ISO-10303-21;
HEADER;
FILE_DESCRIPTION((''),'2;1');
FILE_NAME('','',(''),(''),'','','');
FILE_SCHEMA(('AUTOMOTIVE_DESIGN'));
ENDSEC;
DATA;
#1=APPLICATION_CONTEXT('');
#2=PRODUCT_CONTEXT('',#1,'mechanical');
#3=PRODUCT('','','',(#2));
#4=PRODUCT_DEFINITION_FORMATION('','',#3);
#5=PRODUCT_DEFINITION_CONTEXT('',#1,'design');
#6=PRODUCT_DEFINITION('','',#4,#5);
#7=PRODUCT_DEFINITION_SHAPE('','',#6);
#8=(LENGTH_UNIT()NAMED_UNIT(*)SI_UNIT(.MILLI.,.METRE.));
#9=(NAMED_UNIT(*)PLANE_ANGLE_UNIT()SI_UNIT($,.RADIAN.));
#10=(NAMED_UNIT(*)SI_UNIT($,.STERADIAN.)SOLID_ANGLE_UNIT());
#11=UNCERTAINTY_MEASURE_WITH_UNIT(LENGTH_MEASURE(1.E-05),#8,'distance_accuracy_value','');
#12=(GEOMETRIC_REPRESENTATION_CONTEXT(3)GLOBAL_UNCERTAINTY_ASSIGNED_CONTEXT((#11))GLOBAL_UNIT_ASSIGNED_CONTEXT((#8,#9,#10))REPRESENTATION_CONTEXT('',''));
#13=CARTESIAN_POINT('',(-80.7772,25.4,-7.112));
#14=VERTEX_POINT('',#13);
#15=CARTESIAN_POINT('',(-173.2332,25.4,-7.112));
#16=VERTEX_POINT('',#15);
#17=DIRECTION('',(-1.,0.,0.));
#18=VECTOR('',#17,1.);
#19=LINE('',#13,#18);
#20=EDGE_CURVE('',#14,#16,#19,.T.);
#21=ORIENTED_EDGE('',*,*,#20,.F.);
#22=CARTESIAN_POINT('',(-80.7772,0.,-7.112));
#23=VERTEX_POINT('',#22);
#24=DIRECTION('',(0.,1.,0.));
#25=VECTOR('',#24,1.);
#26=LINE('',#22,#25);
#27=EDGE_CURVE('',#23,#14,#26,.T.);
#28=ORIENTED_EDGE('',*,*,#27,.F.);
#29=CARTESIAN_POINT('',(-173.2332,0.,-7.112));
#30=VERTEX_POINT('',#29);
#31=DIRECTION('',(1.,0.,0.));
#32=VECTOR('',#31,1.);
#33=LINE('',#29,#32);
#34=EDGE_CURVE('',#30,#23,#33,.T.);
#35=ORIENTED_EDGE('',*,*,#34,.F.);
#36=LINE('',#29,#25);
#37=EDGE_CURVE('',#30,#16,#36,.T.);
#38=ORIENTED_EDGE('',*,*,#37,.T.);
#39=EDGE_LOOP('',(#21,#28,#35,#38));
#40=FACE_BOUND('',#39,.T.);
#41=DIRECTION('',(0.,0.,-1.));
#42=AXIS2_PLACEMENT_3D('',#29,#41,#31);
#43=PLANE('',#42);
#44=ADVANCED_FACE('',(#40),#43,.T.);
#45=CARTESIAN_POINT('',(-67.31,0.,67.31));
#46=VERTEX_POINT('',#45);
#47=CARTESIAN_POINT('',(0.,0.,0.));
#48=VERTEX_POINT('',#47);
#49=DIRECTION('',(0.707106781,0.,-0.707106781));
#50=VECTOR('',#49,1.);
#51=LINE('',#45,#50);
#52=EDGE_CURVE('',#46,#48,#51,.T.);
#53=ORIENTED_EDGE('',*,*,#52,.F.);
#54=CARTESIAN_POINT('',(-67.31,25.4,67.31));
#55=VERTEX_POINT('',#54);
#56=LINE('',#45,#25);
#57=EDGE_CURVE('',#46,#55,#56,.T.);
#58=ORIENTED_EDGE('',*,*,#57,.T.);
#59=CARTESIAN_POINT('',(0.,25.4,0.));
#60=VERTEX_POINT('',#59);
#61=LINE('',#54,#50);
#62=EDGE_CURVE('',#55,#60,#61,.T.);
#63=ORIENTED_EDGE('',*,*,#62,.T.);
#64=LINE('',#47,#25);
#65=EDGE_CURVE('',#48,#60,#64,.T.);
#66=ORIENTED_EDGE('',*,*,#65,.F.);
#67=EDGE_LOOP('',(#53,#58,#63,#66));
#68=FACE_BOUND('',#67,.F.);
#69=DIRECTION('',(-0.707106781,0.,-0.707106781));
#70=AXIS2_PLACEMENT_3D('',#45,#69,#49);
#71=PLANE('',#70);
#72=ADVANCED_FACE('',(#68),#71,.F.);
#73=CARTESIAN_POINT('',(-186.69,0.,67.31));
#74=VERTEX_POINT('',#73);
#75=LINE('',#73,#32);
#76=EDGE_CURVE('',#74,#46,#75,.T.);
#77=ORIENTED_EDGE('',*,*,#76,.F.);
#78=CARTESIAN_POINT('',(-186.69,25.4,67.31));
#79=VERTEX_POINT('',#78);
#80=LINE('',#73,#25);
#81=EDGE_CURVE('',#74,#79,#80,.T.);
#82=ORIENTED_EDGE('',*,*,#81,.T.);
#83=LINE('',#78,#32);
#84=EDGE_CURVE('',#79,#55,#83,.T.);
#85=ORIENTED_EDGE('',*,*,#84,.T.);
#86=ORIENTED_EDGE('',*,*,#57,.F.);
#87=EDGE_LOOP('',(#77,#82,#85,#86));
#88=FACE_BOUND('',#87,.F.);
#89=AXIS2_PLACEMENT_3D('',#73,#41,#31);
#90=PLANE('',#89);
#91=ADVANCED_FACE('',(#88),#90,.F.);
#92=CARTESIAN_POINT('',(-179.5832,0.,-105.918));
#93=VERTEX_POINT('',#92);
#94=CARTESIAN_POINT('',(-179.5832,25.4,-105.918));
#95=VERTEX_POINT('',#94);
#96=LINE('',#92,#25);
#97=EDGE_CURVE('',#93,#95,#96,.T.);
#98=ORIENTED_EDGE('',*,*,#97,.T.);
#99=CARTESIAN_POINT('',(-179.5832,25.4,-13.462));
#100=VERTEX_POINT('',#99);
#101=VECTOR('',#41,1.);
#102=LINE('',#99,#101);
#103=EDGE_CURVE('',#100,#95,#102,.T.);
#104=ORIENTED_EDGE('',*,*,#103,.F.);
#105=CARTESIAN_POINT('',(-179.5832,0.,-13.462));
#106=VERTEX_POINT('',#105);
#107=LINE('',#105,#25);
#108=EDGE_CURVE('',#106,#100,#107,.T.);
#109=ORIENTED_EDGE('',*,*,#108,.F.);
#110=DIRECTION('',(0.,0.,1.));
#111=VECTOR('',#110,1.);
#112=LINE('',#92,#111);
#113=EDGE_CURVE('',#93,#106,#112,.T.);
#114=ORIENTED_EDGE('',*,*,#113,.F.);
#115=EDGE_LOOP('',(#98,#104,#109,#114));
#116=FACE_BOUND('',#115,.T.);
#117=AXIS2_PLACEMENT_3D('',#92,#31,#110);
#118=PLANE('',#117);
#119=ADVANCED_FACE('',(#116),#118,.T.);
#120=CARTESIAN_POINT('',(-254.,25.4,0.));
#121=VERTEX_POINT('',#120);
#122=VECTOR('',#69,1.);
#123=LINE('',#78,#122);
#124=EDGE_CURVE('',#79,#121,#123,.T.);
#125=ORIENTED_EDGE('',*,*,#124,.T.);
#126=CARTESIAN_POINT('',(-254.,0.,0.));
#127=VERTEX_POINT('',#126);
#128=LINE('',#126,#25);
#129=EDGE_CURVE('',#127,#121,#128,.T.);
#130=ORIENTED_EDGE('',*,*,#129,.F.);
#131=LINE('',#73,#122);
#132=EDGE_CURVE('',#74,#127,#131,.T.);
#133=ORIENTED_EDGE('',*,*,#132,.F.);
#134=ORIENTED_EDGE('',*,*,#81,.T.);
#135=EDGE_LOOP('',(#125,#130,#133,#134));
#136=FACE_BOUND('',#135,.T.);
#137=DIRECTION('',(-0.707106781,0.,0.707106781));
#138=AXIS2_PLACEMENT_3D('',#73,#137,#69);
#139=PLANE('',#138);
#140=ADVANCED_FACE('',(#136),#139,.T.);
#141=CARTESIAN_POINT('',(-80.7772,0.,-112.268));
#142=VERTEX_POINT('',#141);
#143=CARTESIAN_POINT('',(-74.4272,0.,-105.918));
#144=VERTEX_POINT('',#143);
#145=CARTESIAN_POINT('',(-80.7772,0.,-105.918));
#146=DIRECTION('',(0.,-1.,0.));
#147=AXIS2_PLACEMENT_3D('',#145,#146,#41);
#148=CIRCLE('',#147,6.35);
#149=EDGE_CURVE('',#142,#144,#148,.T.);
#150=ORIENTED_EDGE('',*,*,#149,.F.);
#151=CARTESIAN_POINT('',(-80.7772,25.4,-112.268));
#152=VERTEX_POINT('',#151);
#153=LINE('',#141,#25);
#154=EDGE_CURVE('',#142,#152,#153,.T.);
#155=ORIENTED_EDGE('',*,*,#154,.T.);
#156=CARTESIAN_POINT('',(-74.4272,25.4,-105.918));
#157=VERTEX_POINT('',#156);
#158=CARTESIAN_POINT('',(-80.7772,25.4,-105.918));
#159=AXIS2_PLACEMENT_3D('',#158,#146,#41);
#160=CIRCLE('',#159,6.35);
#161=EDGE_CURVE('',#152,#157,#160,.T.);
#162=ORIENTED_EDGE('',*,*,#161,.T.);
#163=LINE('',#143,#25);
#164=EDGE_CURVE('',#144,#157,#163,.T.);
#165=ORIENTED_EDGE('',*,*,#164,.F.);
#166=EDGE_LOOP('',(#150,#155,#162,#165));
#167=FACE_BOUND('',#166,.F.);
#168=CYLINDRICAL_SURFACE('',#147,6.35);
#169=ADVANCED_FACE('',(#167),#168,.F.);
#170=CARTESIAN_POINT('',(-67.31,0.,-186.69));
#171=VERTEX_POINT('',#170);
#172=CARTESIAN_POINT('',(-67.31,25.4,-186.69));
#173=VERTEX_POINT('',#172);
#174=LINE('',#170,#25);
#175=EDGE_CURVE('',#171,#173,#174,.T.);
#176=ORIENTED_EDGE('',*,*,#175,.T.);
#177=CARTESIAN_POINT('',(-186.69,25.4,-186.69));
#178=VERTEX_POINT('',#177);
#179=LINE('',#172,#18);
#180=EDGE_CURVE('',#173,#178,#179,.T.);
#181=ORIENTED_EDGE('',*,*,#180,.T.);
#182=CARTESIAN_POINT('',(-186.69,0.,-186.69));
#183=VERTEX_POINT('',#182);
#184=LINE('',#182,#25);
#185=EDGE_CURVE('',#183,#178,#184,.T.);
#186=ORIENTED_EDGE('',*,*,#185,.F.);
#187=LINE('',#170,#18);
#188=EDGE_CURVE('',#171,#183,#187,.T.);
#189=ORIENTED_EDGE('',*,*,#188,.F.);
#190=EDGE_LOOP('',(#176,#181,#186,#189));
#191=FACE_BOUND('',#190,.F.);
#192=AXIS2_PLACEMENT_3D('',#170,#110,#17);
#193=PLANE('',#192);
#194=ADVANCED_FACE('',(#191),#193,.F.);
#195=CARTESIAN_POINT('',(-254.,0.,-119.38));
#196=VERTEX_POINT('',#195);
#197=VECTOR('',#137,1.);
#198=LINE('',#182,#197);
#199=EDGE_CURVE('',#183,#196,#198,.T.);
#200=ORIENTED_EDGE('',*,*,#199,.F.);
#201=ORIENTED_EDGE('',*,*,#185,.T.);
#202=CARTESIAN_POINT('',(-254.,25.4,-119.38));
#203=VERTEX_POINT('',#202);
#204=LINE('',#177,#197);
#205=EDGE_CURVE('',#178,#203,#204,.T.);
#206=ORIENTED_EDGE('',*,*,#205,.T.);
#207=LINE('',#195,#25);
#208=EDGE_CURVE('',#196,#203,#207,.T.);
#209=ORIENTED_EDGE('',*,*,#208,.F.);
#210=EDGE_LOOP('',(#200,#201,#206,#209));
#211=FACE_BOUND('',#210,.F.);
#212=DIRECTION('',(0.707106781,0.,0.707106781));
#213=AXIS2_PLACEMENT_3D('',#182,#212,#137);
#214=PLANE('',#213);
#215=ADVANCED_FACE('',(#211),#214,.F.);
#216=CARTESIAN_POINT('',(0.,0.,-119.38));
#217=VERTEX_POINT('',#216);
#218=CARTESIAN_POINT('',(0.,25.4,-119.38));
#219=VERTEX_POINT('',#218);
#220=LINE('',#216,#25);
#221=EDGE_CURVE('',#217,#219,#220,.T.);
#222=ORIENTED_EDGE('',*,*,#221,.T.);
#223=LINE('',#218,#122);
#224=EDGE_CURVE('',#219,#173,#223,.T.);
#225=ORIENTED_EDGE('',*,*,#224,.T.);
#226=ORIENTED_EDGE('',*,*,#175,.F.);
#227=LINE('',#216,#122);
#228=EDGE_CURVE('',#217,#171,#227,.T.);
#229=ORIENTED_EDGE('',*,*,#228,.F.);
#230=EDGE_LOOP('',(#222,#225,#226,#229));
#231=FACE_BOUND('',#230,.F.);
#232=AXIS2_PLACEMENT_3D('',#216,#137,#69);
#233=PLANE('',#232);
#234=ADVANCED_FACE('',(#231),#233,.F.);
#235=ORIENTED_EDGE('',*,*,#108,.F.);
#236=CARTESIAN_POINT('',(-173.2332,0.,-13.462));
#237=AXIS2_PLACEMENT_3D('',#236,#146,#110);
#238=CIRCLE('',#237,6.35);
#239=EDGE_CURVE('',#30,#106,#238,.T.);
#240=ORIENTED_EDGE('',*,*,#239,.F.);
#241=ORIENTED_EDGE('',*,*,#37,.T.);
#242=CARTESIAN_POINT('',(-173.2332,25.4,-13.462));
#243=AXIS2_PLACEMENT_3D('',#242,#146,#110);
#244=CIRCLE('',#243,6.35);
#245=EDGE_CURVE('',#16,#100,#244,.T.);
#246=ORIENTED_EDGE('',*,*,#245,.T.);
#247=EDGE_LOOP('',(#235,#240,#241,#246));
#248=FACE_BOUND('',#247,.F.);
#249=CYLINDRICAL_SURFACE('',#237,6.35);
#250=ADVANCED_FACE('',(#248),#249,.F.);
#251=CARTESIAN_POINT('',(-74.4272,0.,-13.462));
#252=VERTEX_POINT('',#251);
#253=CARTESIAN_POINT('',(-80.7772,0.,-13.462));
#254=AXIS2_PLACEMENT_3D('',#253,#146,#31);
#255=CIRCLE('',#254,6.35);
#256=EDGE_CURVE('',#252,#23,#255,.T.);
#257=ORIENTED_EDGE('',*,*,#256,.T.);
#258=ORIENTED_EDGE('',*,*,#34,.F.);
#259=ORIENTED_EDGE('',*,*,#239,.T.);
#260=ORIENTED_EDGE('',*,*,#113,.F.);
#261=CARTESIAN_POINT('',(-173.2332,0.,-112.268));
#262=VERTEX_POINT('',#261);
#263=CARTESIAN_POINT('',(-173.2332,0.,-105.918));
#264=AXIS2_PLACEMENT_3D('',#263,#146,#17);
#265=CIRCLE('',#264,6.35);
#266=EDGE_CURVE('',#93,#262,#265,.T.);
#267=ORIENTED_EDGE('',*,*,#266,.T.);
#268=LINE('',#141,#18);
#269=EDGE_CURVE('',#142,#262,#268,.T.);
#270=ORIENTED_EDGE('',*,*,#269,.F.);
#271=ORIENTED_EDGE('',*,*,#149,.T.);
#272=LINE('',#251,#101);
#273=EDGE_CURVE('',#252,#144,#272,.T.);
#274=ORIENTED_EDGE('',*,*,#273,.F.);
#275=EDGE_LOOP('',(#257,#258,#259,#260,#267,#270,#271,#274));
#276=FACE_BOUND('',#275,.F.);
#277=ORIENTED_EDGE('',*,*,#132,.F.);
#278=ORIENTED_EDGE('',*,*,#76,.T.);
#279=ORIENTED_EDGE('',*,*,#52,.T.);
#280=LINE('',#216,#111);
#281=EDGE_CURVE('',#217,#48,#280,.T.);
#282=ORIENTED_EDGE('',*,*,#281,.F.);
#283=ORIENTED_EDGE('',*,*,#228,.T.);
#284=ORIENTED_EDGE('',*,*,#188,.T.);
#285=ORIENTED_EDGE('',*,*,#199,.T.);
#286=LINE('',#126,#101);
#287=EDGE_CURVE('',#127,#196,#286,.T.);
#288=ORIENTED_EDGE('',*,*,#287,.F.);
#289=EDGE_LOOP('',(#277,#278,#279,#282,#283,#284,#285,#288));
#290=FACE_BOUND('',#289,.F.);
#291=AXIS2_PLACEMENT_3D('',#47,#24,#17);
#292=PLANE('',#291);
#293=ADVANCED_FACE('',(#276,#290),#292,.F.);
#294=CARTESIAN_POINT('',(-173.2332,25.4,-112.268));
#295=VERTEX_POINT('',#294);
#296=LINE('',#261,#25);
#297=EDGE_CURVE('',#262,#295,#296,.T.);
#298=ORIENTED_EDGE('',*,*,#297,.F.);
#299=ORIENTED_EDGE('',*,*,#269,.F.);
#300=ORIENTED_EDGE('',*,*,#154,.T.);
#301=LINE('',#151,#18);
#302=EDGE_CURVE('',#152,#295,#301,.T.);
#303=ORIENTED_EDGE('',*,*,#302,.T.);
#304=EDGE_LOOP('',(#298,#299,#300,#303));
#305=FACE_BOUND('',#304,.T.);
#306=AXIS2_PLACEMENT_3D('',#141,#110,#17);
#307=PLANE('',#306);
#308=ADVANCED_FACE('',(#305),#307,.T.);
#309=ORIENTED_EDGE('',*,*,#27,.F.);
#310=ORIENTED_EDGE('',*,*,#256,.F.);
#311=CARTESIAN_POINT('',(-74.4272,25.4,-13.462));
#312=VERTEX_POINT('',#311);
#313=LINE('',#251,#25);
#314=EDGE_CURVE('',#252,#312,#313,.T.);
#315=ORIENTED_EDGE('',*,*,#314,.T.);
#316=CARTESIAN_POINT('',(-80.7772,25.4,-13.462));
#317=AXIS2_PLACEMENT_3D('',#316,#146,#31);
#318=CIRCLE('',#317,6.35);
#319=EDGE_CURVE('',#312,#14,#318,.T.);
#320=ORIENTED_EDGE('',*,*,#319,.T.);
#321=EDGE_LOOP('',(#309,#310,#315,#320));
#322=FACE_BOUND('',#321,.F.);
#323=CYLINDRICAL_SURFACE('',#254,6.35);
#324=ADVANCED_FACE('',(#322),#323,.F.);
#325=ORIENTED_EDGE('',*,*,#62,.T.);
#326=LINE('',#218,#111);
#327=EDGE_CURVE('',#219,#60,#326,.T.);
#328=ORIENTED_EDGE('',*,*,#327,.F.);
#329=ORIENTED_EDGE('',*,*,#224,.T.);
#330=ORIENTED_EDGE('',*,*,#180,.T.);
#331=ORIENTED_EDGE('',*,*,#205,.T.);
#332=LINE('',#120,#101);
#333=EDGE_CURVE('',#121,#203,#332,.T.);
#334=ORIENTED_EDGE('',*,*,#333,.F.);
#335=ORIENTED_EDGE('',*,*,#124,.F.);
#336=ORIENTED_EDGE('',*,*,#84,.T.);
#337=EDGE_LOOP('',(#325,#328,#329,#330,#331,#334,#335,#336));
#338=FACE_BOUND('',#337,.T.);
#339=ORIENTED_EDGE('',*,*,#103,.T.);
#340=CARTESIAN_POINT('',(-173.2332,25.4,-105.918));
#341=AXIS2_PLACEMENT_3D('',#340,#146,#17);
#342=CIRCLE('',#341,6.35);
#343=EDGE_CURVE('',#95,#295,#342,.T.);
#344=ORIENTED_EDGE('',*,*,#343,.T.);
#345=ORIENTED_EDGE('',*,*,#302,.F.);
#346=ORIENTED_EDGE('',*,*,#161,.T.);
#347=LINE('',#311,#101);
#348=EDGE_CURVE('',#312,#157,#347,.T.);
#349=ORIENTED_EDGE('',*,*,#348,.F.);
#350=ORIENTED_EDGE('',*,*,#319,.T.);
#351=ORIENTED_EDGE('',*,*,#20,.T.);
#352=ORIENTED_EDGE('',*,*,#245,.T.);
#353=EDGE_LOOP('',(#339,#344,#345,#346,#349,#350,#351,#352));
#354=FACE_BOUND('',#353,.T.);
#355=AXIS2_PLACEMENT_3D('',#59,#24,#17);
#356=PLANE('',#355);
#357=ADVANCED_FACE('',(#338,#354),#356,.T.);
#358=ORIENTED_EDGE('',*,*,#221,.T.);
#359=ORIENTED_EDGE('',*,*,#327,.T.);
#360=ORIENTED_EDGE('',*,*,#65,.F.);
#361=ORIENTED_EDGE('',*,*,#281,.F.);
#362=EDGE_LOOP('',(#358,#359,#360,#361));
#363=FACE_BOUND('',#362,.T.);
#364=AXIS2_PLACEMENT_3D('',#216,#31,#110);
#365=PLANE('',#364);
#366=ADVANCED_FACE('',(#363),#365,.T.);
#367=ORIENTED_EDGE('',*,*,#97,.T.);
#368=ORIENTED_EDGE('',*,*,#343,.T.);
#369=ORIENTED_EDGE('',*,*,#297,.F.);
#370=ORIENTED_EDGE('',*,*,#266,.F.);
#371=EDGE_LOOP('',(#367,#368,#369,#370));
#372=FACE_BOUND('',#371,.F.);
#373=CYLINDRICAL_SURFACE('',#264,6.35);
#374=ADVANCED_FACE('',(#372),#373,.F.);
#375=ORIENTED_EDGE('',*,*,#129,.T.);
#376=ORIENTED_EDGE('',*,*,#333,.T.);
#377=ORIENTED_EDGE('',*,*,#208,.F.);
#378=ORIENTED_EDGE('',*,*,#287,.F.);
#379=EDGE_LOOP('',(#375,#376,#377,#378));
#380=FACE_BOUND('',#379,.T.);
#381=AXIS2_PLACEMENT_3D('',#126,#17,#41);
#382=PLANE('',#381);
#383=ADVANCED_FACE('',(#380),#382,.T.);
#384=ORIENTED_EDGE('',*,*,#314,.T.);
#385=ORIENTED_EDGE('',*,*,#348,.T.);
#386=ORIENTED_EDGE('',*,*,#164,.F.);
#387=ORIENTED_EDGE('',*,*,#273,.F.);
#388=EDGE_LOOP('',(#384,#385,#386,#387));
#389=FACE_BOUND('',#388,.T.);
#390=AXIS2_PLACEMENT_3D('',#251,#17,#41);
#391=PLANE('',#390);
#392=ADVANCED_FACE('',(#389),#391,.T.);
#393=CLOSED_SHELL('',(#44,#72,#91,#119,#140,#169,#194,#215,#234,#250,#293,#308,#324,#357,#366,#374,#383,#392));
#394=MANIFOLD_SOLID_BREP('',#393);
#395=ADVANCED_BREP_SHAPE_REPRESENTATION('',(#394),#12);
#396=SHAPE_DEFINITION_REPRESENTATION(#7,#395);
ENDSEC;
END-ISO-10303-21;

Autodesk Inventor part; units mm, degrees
ref_plane "YZ Plane" through (0, 0, 0) normal (1, 0, 0) x (0, 1, 0)
ref_plane "XZ Plane" through (0, 0, 0) normal (0, 1, 0) x (-1, 0, 0)
ref_plane "XY Plane" through (0, 0, 0) normal (0, 0, 1) x (1, 0, 0)
sketch "Sketch1" plane through (0, 0, 0) normal (0, 1, 0) x (-1, 0, 0)
  line L0 (0, 0) -> (254, 0)
  line L1 (254, 0) -> (254, -119.38)
  line L2 (254, -119.38) -> (0, -119.38)
  line L3 (0, -119.38) -> (0, 0)
  line L4 (186.69, 67.31) -> (67.31, 67.31)
  line L5 (67.31, 67.31) -> (67.31, -186.69)
  line L6 (67.31, -186.69) -> (186.69, -186.69)
  line L7 (186.69, -186.69) -> (186.69, 67.31)
  line L8 (186.69, 67.31) -> (254, 0)
  line L9 (67.31, 67.31) -> (0, 0)
  line L10 (186.69, -186.69) -> (254, -119.38)
  line L11 (0, -119.38) -> (67.31, -186.69)
  line L12 (62.2907, -7.1202) -> (161.0967, -7.1202)
  line L13 (164.2717, -10.2952) -> (164.2717, -109.1012)
  line L14 (161.0967, -112.2762) -> (62.2907, -112.2762)
  line L15 (59.1157, -109.1012) -> (59.1157, -10.2952)
  arc A0 (62.2907, -7.1202) -> (59.1157, -10.2952) centre (62.2907, -10.2952) ccw
  arc A1 (164.2717, -10.2952) -> (161.0967, -7.1202) centre (161.0967, -10.2952) ccw
  arc A2 (161.0967, -112.2762) -> (164.2717, -109.1012) centre (161.0967, -109.1012) ccw
  arc A3 (59.1157, -109.1012) -> (62.2907, -112.2762) centre (62.2907, -109.1012) ccw
  line L16 (254, -119.38) -> (127, -119.38)
  line L17 (126.9917, -59.69) -> (127, -119.38)
  point P0 (164.2717, -112.2762)
  point P1 (164.2717, -7.1202)
  point P2 (59.1157, -112.2762)
  point P3 (127, -59.69)
  point P4 (127, -59.69)
  dimension "d0" = 254
  dimension "d1" = 119.38
  dimension "d2" = 119.38
  dimension "d3" = 254
  dimension "d8" = 95.1907
  dimension "d14" = 105.156
  dimension "d15" = 105.156
  dimension "d22" = 3.175
  dimension "d50" = 127
  dimension "d51" = 59.69
extrude "Extrusion1" add sketch "Sketch1" along normal blind 25.4
sketch "Sketch3" plane through (0, 0, 0) normal (0, -1, 0) x (1, 0, 0)
  line L0 (-80.7772, -112.268) -> (-173.2332, -112.268)
  line L1 (-179.5832, -105.918) -> (-179.5832, -13.462)
  line L2 (-173.2332, -7.112) -> (-80.7772, -7.112)
  line L3 (-74.4272, -13.462) -> (-74.4272, -105.918)
  arc A0 (-80.7772, -112.268) -> (-74.4272, -105.918) centre (-80.7772, -105.918) ccw
  arc A1 (-179.5832, -105.918) -> (-173.2332, -112.268) centre (-173.2332, -105.918) ccw
  arc A2 (-173.2332, -7.112) -> (-179.5832, -13.462) centre (-173.2332, -13.462) ccw
  arc A3 (-74.4272, -13.462) -> (-80.7772, -7.112) centre (-80.7772, -13.462) ccw
  line L4 (-124.213, 67.31) -> (-124.213, -7.112)
  line L5 (-254.0007, -58.0211) -> (-179.5787, -58.0211)
  line L6 (-186.69, 67.31) -> (-67.31, 67.31) projected
  point P0 (0, 0)
  point P1 (-179.5832, -7.112)
  point P2 (-179.5832, -112.268)
  point P3 (-74.4272, -7.112)
  point P4 (-179.5832, -58.0211)
  dimension "d23" = 105.156
  dimension "d24" = 105.156
  dimension "d42" = 6.35
  dimension "d45" = 74.422
  dimension "d46" = 74.422
extrude "Extrusion2" cut sketch "Sketch3" against normal blind 25.4
equation "\"d0\" = rectangle_L"
equation "\"d1\" = rectangle_01_w"
equation "\"d2\" = rectangle_01_w"
equation "\"d3\" = rectangle_L"
equation "\"d8\" = d9"
equation "\"d14\" = window_L"
equation "\"d15\" = window_L"
equation "\"rectangle_L\" = 254"
equation "\"rectangle_01_w\" = 119.38"
equation "\"d9\" = 95.19071"
equation "\"window_L\" = 105.156"
equation "\"test\" = 74.422"
equation "\"d47\" = 74.422"
equation "\"d48\" = 254"
equation "\"d49\" = 105.156"
equation "\"dot_pos\" = 127"
equation "\"dot_pos_2\" = 59.69"
properties part number "chamber_top"
